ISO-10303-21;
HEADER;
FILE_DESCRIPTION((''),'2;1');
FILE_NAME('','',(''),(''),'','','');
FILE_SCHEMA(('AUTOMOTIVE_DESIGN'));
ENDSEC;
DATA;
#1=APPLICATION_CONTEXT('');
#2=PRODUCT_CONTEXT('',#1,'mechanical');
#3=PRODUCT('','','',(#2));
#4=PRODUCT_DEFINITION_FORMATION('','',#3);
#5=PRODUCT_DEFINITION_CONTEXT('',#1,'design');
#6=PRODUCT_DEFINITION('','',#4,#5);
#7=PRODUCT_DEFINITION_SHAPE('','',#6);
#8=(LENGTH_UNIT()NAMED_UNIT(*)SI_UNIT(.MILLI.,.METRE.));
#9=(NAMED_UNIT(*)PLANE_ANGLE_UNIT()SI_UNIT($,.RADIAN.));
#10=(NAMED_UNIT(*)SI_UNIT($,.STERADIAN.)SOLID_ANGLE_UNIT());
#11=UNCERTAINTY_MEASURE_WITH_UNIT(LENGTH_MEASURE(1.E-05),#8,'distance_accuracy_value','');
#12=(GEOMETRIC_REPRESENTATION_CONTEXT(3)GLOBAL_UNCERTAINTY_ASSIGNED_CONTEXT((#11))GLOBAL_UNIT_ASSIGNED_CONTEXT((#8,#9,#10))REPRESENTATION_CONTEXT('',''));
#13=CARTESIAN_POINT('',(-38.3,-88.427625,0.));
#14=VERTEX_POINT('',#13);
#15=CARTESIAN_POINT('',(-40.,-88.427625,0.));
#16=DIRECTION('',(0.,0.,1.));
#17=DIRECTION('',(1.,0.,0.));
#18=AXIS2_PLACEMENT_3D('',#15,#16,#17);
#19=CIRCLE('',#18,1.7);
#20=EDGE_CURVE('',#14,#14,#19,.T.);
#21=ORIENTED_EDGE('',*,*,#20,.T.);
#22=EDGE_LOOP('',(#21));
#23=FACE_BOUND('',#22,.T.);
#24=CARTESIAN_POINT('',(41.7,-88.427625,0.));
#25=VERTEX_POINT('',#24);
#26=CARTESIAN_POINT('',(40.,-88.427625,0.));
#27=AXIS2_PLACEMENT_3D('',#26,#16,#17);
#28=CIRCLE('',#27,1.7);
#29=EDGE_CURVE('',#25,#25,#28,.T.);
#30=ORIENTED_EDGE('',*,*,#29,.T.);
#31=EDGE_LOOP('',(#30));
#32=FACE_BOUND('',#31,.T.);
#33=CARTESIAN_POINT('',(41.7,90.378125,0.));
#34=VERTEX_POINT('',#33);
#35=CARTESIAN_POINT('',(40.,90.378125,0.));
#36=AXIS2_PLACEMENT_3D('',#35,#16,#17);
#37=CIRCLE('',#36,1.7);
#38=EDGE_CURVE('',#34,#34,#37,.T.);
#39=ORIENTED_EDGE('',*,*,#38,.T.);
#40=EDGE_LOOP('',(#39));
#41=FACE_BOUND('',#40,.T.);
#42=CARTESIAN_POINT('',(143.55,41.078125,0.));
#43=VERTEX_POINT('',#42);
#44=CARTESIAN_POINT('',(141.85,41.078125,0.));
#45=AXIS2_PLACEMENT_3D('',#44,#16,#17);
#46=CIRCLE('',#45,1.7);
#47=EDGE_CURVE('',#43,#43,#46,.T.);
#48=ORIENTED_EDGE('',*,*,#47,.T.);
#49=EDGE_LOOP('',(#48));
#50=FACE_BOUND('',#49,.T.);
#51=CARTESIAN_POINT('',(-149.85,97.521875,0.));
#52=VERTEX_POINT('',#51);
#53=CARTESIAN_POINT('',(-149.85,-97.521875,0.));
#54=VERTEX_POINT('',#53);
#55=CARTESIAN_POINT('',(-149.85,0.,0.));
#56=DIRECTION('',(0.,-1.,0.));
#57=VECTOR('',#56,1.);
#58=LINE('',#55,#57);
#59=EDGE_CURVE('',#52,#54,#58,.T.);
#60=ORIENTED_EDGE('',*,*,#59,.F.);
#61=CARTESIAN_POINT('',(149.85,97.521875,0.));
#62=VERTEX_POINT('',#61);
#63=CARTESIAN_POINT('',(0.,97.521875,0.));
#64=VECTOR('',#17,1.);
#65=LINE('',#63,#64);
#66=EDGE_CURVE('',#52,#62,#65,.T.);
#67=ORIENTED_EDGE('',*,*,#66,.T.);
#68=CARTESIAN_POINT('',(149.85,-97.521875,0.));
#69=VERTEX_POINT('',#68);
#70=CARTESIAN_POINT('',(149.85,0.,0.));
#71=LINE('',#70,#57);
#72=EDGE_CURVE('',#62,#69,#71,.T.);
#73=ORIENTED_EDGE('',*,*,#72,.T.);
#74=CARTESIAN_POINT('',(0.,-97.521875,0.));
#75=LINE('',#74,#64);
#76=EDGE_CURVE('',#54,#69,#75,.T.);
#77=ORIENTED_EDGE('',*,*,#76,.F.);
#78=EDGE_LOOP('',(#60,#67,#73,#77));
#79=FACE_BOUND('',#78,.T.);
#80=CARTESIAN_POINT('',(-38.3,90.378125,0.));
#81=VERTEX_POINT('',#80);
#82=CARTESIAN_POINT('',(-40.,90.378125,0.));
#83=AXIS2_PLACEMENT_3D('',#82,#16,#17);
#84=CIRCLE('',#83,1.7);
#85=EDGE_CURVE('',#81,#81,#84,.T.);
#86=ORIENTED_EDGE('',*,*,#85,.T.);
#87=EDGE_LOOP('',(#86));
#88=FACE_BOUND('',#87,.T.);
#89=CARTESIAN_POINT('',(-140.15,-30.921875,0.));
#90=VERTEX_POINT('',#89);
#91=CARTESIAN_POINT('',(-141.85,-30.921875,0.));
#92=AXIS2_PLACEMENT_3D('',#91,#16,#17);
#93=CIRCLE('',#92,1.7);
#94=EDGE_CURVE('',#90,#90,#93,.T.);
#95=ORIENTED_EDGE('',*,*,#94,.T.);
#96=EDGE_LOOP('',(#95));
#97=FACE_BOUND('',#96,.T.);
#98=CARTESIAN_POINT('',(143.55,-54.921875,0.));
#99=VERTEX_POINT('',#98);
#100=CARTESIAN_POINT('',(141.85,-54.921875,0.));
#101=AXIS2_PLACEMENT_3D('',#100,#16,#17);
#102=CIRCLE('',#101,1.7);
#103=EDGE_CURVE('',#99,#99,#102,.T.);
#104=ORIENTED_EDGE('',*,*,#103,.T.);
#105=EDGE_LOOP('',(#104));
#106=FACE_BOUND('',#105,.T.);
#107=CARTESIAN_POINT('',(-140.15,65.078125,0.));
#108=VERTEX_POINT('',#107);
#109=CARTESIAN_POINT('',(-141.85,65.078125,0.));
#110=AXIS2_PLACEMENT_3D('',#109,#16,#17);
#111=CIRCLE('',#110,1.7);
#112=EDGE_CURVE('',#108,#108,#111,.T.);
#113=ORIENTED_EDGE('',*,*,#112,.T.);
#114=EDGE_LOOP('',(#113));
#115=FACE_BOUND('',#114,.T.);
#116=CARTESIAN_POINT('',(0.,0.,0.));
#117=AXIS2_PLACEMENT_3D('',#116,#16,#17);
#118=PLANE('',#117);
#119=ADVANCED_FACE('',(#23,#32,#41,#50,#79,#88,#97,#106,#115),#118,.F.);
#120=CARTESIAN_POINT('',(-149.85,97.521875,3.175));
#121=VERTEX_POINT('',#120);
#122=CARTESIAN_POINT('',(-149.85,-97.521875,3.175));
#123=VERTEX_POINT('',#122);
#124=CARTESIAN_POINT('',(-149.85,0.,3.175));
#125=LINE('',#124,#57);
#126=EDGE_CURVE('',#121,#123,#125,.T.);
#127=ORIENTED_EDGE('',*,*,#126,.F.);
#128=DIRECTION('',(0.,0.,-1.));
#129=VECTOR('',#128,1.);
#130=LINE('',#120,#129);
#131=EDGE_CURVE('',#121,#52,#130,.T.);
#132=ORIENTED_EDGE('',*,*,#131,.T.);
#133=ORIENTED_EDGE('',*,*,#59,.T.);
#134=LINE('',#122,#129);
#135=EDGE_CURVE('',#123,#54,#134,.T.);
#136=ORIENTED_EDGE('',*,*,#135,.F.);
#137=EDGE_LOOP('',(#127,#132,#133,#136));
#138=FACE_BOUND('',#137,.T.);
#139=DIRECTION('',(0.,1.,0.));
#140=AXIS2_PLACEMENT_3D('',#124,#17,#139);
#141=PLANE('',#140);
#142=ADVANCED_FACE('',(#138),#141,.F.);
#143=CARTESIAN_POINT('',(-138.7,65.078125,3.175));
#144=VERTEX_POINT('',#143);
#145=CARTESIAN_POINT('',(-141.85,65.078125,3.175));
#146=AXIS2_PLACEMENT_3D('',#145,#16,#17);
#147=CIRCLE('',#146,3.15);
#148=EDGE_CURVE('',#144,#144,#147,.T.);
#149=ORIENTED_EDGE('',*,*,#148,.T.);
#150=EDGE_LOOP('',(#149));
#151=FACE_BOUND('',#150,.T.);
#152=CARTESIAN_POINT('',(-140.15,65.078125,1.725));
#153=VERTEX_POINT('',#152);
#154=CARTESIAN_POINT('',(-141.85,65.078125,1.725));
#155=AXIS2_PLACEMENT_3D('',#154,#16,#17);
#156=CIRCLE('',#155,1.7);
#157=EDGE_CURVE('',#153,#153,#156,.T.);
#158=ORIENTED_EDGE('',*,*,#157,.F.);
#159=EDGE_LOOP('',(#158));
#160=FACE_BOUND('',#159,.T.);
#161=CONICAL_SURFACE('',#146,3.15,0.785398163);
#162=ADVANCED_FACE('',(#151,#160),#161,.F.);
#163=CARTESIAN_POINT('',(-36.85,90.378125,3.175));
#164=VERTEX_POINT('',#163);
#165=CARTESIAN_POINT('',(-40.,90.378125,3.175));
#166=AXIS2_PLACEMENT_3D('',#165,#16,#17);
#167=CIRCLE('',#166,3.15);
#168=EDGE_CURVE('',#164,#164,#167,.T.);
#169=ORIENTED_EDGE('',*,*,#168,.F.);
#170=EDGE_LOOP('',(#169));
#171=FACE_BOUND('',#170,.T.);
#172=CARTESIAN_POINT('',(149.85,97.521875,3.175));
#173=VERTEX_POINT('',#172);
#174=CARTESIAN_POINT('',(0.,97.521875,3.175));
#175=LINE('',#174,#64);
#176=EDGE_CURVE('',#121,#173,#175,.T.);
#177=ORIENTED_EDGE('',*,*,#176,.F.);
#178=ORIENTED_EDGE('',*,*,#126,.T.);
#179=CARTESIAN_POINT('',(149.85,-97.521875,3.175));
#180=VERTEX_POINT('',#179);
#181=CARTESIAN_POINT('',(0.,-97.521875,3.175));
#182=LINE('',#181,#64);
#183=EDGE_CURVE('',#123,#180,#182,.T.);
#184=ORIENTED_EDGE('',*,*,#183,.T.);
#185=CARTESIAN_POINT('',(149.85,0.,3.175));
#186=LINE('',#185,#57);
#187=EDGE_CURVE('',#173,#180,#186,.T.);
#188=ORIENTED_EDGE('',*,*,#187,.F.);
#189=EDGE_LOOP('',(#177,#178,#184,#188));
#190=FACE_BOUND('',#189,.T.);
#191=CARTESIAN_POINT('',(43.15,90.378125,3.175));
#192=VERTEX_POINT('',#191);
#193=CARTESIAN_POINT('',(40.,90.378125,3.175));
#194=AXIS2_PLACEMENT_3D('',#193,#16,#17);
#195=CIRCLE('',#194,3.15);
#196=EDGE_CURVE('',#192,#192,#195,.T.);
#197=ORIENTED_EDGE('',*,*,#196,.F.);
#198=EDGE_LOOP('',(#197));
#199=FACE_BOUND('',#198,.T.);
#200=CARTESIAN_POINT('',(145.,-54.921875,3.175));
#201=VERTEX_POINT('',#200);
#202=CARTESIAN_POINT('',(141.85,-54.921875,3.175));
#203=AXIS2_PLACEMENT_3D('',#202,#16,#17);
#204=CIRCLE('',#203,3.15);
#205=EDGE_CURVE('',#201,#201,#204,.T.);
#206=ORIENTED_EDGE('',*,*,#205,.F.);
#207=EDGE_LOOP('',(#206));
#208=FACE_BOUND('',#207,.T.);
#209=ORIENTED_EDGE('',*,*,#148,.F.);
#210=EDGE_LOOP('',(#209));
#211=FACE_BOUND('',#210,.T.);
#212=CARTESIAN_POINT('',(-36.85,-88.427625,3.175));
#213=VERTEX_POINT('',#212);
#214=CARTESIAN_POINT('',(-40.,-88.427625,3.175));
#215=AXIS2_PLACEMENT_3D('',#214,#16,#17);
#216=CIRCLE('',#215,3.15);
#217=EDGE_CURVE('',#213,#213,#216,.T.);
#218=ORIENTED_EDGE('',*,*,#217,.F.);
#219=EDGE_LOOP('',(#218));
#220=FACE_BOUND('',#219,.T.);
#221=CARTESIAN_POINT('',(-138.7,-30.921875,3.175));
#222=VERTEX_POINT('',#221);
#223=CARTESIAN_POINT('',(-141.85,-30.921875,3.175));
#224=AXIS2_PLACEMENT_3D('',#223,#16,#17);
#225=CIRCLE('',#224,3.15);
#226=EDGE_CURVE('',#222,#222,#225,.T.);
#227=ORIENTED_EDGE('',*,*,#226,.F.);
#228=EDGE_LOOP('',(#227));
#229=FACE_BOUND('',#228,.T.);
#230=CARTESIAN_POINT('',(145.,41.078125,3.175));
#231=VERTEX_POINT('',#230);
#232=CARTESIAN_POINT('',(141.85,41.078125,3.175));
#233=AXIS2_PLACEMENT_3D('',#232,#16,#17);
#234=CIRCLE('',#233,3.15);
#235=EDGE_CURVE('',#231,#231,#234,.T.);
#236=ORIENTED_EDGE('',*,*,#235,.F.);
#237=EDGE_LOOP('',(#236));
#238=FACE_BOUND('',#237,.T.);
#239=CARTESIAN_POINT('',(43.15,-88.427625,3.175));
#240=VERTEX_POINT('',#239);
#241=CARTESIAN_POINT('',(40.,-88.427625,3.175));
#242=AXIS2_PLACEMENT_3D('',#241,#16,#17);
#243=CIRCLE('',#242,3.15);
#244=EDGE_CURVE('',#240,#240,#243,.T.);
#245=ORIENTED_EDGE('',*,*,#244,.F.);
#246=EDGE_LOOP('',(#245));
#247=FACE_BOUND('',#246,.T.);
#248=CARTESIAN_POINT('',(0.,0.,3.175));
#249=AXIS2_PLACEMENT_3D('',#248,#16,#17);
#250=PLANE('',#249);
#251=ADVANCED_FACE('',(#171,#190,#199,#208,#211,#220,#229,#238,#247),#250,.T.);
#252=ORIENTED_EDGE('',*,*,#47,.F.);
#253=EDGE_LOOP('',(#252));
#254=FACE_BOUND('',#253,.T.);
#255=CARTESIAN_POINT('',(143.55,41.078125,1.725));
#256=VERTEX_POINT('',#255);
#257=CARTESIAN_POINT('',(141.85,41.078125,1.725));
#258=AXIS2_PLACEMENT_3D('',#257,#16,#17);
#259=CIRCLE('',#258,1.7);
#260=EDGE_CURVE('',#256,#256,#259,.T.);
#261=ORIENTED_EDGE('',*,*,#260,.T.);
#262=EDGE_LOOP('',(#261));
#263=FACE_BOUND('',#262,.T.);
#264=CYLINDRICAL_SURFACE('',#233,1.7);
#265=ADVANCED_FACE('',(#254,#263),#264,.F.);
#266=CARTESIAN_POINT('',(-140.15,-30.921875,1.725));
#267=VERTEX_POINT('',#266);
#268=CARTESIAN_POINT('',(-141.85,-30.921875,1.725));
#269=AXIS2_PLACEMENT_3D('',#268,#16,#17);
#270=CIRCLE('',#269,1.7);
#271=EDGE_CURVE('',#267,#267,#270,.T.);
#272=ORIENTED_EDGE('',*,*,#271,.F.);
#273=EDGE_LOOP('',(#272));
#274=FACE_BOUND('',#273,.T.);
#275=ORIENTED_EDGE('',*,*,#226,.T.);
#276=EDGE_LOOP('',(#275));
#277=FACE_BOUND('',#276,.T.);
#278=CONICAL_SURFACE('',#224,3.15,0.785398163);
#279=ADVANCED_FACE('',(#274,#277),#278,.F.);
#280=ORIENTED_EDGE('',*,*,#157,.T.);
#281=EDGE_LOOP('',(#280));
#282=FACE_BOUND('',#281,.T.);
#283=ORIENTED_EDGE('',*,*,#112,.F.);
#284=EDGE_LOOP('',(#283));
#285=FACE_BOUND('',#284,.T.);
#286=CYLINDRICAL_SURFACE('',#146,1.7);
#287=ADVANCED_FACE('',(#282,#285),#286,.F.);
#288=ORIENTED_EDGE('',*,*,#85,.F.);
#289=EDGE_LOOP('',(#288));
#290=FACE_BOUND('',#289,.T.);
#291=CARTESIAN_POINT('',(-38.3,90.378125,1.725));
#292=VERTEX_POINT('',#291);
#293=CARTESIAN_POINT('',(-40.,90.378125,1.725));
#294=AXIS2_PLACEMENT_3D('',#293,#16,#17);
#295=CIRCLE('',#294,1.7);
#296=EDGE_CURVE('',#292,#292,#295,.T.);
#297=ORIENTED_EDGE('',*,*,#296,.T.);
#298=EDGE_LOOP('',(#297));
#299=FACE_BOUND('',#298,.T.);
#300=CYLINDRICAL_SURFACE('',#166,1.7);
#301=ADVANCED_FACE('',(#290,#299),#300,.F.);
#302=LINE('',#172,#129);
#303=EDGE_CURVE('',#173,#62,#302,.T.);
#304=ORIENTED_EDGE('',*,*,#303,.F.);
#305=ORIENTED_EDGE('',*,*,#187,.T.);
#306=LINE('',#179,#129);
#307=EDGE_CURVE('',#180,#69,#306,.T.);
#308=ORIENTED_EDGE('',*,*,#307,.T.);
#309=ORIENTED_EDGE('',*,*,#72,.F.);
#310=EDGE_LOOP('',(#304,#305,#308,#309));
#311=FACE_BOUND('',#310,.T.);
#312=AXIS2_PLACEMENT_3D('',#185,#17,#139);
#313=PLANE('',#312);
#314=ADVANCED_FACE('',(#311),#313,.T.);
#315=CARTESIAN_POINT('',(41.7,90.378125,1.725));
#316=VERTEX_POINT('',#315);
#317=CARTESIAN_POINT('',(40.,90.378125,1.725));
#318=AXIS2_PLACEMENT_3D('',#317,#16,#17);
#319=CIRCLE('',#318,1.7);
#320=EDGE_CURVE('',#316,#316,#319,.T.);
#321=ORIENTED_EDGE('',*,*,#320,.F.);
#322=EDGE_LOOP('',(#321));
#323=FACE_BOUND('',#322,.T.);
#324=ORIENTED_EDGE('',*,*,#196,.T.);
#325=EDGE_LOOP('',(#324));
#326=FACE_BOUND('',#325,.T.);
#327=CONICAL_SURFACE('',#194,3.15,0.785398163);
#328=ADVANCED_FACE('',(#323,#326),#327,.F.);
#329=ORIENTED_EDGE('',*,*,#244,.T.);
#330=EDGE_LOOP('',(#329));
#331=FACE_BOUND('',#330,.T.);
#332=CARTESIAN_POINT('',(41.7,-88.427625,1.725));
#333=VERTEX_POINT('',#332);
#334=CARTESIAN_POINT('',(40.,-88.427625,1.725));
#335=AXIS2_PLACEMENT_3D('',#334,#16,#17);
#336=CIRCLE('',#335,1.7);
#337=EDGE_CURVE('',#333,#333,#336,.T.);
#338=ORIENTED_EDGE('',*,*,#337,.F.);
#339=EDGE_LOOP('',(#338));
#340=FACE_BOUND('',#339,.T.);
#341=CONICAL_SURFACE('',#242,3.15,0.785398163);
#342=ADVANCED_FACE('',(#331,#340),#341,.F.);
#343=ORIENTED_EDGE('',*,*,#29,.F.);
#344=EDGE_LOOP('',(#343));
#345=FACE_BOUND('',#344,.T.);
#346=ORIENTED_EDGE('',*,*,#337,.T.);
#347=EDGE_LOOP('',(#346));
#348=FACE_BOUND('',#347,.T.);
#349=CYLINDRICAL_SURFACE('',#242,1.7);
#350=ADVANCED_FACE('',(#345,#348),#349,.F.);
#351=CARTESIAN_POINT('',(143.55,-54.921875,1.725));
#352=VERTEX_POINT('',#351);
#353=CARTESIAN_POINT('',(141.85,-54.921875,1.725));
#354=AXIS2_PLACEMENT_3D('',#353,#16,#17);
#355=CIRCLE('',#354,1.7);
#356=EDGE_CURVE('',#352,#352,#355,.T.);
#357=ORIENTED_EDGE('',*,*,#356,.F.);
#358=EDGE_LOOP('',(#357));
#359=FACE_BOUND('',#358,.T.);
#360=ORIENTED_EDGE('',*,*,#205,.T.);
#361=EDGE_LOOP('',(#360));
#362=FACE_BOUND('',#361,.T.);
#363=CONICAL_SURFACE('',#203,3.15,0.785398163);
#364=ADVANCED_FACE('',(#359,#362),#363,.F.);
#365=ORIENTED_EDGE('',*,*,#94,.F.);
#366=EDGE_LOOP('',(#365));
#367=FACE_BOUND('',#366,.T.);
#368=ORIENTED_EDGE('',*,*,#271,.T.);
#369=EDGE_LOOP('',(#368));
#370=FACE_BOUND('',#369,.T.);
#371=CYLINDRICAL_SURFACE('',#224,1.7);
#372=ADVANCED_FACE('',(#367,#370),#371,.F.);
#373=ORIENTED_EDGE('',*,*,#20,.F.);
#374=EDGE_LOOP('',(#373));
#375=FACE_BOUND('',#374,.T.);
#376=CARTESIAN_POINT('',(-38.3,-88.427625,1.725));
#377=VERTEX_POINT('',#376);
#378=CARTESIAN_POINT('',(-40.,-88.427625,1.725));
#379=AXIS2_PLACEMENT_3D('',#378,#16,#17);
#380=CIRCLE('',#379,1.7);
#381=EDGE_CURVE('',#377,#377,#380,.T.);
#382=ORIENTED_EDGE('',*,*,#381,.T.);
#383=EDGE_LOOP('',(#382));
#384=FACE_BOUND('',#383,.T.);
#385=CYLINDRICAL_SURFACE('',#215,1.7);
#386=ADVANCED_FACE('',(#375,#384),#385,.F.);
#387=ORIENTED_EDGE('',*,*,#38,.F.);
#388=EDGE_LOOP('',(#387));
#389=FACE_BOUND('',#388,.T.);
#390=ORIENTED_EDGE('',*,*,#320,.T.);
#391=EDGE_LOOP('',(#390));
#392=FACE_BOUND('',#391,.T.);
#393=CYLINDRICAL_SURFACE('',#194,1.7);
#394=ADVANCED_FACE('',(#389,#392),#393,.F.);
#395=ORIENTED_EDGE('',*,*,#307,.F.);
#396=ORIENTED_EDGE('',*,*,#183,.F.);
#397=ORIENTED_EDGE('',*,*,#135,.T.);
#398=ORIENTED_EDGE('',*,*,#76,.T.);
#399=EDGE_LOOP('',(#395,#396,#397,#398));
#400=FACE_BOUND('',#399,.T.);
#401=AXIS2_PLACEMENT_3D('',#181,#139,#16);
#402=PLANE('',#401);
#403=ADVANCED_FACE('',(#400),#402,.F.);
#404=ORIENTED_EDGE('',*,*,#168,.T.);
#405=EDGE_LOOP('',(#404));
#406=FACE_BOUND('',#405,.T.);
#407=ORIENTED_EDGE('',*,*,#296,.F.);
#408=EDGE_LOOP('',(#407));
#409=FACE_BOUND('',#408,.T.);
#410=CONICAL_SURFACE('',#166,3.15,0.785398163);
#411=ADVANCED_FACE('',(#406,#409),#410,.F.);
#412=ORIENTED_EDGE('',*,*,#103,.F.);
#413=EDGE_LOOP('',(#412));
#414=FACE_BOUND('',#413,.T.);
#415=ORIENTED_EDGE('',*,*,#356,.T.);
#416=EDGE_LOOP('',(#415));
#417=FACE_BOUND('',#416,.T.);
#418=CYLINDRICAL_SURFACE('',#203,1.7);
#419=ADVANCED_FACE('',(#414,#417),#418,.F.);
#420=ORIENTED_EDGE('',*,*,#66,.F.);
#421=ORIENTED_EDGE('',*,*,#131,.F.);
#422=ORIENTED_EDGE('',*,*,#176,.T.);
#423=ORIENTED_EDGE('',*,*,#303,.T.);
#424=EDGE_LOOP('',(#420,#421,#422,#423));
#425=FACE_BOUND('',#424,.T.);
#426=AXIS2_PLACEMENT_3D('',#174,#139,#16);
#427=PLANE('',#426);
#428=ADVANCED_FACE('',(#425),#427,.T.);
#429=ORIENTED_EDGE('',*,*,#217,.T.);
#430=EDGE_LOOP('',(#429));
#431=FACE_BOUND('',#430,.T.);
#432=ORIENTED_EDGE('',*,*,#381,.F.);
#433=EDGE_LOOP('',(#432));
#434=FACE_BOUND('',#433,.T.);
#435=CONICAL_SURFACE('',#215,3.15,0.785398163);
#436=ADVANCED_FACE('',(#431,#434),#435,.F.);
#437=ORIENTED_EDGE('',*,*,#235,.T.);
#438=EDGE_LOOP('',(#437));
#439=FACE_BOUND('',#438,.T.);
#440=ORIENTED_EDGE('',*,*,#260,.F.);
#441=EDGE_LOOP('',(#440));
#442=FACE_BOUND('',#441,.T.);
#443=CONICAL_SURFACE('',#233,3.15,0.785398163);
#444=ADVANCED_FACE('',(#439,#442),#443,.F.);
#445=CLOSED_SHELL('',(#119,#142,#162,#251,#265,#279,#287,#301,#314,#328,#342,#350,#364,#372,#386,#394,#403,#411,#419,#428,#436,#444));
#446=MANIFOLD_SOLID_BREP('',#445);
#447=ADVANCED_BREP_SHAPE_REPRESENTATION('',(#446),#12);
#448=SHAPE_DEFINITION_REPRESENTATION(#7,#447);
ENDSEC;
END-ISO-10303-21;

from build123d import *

# Parameters (mm, degrees)
SKETCH1_W                                       = 299.7
SKETCH1_H                                       = 195.04375
SKETCH1_R                                       = 10.775
BOSS_EXTRUDE1_DEPTH                             = 3.175
CSK_FOR_M3_FLAT_HEAD_MACHINE_SCREW1_D           = 3.4
CSK_FOR_M3_FLAT_HEAD_MACHINE_SCREW1_CSINK_D     = 6.3
CSK_FOR_M3_FLAT_HEAD_MACHINE_SCREW1_CSINK_ANGLE = 90


with BuildPart() as part:
    # Sketch1 → Boss-Extrude1 (new body)
    # profile 1 of 5: a face of its own
    with BuildSketch(Plane.XY):
        Rectangle(SKETCH1_W, SKETCH1_H)
        with Locations((-139.075, -86.746875)):
            Circle(SKETCH1_R, mode=Mode.SUBTRACT)
        with Locations((-127.075, -63.746875)):
            Circle(SKETCH1_R, mode=Mode.SUBTRACT)
    # profile 2 of 5: a face of its own
    with BuildSketch(Plane.XY):
        with Locations((-127.075, -63.746875)):
            Circle(SKETCH1_R)
    # profile 3 of 5: a face of its own
    with BuildSketch(Plane.XY):
        with Locations((-139.075, -86.746875)):
            Circle(SKETCH1_R)
    # profile 4 of 5: a face of its own
    with BuildSketch(Plane.XY):
        with BuildLine():
            ThreePointArc((-139.075, -97.521875), (-146.694075567, -94.365950567), (-149.85, -86.746875))
            Line((-149.85, -86.746875), (-149.85, -97.521875))
            Line((-149.85, -97.521875), (-139.075, -97.521875))
        make_face()
    # profile 5 of 5: a face of its own
    with BuildSketch(Plane.XY):
        Rectangle(SKETCH1_W, SKETCH1_H)
    extrude(amount=BOSS_EXTRUDE1_DEPTH)

    # CSK for M3 Flat Head Machine Screw1 (through all)
    with Locations(Plane.XY.offset(3.175)):
        with Locations((-40, 90.378125052), (40, 90.378125052), (141.850000066, 41.078125052), (141.850000066, -54.921874948), (40, -88.427624948), (-40, -88.427624948), (-141.850000066, -30.921874948), (-141.850000066, 65.078125052)):
            CounterSinkHole(CSK_FOR_M3_FLAT_HEAD_MACHINE_SCREW1_D / 2, CSK_FOR_M3_FLAT_HEAD_MACHINE_SCREW1_CSINK_D / 2, counter_sink_angle=CSK_FOR_M3_FLAT_HEAD_MACHINE_SCREW1_CSINK_ANGLE)


solid = part.part
